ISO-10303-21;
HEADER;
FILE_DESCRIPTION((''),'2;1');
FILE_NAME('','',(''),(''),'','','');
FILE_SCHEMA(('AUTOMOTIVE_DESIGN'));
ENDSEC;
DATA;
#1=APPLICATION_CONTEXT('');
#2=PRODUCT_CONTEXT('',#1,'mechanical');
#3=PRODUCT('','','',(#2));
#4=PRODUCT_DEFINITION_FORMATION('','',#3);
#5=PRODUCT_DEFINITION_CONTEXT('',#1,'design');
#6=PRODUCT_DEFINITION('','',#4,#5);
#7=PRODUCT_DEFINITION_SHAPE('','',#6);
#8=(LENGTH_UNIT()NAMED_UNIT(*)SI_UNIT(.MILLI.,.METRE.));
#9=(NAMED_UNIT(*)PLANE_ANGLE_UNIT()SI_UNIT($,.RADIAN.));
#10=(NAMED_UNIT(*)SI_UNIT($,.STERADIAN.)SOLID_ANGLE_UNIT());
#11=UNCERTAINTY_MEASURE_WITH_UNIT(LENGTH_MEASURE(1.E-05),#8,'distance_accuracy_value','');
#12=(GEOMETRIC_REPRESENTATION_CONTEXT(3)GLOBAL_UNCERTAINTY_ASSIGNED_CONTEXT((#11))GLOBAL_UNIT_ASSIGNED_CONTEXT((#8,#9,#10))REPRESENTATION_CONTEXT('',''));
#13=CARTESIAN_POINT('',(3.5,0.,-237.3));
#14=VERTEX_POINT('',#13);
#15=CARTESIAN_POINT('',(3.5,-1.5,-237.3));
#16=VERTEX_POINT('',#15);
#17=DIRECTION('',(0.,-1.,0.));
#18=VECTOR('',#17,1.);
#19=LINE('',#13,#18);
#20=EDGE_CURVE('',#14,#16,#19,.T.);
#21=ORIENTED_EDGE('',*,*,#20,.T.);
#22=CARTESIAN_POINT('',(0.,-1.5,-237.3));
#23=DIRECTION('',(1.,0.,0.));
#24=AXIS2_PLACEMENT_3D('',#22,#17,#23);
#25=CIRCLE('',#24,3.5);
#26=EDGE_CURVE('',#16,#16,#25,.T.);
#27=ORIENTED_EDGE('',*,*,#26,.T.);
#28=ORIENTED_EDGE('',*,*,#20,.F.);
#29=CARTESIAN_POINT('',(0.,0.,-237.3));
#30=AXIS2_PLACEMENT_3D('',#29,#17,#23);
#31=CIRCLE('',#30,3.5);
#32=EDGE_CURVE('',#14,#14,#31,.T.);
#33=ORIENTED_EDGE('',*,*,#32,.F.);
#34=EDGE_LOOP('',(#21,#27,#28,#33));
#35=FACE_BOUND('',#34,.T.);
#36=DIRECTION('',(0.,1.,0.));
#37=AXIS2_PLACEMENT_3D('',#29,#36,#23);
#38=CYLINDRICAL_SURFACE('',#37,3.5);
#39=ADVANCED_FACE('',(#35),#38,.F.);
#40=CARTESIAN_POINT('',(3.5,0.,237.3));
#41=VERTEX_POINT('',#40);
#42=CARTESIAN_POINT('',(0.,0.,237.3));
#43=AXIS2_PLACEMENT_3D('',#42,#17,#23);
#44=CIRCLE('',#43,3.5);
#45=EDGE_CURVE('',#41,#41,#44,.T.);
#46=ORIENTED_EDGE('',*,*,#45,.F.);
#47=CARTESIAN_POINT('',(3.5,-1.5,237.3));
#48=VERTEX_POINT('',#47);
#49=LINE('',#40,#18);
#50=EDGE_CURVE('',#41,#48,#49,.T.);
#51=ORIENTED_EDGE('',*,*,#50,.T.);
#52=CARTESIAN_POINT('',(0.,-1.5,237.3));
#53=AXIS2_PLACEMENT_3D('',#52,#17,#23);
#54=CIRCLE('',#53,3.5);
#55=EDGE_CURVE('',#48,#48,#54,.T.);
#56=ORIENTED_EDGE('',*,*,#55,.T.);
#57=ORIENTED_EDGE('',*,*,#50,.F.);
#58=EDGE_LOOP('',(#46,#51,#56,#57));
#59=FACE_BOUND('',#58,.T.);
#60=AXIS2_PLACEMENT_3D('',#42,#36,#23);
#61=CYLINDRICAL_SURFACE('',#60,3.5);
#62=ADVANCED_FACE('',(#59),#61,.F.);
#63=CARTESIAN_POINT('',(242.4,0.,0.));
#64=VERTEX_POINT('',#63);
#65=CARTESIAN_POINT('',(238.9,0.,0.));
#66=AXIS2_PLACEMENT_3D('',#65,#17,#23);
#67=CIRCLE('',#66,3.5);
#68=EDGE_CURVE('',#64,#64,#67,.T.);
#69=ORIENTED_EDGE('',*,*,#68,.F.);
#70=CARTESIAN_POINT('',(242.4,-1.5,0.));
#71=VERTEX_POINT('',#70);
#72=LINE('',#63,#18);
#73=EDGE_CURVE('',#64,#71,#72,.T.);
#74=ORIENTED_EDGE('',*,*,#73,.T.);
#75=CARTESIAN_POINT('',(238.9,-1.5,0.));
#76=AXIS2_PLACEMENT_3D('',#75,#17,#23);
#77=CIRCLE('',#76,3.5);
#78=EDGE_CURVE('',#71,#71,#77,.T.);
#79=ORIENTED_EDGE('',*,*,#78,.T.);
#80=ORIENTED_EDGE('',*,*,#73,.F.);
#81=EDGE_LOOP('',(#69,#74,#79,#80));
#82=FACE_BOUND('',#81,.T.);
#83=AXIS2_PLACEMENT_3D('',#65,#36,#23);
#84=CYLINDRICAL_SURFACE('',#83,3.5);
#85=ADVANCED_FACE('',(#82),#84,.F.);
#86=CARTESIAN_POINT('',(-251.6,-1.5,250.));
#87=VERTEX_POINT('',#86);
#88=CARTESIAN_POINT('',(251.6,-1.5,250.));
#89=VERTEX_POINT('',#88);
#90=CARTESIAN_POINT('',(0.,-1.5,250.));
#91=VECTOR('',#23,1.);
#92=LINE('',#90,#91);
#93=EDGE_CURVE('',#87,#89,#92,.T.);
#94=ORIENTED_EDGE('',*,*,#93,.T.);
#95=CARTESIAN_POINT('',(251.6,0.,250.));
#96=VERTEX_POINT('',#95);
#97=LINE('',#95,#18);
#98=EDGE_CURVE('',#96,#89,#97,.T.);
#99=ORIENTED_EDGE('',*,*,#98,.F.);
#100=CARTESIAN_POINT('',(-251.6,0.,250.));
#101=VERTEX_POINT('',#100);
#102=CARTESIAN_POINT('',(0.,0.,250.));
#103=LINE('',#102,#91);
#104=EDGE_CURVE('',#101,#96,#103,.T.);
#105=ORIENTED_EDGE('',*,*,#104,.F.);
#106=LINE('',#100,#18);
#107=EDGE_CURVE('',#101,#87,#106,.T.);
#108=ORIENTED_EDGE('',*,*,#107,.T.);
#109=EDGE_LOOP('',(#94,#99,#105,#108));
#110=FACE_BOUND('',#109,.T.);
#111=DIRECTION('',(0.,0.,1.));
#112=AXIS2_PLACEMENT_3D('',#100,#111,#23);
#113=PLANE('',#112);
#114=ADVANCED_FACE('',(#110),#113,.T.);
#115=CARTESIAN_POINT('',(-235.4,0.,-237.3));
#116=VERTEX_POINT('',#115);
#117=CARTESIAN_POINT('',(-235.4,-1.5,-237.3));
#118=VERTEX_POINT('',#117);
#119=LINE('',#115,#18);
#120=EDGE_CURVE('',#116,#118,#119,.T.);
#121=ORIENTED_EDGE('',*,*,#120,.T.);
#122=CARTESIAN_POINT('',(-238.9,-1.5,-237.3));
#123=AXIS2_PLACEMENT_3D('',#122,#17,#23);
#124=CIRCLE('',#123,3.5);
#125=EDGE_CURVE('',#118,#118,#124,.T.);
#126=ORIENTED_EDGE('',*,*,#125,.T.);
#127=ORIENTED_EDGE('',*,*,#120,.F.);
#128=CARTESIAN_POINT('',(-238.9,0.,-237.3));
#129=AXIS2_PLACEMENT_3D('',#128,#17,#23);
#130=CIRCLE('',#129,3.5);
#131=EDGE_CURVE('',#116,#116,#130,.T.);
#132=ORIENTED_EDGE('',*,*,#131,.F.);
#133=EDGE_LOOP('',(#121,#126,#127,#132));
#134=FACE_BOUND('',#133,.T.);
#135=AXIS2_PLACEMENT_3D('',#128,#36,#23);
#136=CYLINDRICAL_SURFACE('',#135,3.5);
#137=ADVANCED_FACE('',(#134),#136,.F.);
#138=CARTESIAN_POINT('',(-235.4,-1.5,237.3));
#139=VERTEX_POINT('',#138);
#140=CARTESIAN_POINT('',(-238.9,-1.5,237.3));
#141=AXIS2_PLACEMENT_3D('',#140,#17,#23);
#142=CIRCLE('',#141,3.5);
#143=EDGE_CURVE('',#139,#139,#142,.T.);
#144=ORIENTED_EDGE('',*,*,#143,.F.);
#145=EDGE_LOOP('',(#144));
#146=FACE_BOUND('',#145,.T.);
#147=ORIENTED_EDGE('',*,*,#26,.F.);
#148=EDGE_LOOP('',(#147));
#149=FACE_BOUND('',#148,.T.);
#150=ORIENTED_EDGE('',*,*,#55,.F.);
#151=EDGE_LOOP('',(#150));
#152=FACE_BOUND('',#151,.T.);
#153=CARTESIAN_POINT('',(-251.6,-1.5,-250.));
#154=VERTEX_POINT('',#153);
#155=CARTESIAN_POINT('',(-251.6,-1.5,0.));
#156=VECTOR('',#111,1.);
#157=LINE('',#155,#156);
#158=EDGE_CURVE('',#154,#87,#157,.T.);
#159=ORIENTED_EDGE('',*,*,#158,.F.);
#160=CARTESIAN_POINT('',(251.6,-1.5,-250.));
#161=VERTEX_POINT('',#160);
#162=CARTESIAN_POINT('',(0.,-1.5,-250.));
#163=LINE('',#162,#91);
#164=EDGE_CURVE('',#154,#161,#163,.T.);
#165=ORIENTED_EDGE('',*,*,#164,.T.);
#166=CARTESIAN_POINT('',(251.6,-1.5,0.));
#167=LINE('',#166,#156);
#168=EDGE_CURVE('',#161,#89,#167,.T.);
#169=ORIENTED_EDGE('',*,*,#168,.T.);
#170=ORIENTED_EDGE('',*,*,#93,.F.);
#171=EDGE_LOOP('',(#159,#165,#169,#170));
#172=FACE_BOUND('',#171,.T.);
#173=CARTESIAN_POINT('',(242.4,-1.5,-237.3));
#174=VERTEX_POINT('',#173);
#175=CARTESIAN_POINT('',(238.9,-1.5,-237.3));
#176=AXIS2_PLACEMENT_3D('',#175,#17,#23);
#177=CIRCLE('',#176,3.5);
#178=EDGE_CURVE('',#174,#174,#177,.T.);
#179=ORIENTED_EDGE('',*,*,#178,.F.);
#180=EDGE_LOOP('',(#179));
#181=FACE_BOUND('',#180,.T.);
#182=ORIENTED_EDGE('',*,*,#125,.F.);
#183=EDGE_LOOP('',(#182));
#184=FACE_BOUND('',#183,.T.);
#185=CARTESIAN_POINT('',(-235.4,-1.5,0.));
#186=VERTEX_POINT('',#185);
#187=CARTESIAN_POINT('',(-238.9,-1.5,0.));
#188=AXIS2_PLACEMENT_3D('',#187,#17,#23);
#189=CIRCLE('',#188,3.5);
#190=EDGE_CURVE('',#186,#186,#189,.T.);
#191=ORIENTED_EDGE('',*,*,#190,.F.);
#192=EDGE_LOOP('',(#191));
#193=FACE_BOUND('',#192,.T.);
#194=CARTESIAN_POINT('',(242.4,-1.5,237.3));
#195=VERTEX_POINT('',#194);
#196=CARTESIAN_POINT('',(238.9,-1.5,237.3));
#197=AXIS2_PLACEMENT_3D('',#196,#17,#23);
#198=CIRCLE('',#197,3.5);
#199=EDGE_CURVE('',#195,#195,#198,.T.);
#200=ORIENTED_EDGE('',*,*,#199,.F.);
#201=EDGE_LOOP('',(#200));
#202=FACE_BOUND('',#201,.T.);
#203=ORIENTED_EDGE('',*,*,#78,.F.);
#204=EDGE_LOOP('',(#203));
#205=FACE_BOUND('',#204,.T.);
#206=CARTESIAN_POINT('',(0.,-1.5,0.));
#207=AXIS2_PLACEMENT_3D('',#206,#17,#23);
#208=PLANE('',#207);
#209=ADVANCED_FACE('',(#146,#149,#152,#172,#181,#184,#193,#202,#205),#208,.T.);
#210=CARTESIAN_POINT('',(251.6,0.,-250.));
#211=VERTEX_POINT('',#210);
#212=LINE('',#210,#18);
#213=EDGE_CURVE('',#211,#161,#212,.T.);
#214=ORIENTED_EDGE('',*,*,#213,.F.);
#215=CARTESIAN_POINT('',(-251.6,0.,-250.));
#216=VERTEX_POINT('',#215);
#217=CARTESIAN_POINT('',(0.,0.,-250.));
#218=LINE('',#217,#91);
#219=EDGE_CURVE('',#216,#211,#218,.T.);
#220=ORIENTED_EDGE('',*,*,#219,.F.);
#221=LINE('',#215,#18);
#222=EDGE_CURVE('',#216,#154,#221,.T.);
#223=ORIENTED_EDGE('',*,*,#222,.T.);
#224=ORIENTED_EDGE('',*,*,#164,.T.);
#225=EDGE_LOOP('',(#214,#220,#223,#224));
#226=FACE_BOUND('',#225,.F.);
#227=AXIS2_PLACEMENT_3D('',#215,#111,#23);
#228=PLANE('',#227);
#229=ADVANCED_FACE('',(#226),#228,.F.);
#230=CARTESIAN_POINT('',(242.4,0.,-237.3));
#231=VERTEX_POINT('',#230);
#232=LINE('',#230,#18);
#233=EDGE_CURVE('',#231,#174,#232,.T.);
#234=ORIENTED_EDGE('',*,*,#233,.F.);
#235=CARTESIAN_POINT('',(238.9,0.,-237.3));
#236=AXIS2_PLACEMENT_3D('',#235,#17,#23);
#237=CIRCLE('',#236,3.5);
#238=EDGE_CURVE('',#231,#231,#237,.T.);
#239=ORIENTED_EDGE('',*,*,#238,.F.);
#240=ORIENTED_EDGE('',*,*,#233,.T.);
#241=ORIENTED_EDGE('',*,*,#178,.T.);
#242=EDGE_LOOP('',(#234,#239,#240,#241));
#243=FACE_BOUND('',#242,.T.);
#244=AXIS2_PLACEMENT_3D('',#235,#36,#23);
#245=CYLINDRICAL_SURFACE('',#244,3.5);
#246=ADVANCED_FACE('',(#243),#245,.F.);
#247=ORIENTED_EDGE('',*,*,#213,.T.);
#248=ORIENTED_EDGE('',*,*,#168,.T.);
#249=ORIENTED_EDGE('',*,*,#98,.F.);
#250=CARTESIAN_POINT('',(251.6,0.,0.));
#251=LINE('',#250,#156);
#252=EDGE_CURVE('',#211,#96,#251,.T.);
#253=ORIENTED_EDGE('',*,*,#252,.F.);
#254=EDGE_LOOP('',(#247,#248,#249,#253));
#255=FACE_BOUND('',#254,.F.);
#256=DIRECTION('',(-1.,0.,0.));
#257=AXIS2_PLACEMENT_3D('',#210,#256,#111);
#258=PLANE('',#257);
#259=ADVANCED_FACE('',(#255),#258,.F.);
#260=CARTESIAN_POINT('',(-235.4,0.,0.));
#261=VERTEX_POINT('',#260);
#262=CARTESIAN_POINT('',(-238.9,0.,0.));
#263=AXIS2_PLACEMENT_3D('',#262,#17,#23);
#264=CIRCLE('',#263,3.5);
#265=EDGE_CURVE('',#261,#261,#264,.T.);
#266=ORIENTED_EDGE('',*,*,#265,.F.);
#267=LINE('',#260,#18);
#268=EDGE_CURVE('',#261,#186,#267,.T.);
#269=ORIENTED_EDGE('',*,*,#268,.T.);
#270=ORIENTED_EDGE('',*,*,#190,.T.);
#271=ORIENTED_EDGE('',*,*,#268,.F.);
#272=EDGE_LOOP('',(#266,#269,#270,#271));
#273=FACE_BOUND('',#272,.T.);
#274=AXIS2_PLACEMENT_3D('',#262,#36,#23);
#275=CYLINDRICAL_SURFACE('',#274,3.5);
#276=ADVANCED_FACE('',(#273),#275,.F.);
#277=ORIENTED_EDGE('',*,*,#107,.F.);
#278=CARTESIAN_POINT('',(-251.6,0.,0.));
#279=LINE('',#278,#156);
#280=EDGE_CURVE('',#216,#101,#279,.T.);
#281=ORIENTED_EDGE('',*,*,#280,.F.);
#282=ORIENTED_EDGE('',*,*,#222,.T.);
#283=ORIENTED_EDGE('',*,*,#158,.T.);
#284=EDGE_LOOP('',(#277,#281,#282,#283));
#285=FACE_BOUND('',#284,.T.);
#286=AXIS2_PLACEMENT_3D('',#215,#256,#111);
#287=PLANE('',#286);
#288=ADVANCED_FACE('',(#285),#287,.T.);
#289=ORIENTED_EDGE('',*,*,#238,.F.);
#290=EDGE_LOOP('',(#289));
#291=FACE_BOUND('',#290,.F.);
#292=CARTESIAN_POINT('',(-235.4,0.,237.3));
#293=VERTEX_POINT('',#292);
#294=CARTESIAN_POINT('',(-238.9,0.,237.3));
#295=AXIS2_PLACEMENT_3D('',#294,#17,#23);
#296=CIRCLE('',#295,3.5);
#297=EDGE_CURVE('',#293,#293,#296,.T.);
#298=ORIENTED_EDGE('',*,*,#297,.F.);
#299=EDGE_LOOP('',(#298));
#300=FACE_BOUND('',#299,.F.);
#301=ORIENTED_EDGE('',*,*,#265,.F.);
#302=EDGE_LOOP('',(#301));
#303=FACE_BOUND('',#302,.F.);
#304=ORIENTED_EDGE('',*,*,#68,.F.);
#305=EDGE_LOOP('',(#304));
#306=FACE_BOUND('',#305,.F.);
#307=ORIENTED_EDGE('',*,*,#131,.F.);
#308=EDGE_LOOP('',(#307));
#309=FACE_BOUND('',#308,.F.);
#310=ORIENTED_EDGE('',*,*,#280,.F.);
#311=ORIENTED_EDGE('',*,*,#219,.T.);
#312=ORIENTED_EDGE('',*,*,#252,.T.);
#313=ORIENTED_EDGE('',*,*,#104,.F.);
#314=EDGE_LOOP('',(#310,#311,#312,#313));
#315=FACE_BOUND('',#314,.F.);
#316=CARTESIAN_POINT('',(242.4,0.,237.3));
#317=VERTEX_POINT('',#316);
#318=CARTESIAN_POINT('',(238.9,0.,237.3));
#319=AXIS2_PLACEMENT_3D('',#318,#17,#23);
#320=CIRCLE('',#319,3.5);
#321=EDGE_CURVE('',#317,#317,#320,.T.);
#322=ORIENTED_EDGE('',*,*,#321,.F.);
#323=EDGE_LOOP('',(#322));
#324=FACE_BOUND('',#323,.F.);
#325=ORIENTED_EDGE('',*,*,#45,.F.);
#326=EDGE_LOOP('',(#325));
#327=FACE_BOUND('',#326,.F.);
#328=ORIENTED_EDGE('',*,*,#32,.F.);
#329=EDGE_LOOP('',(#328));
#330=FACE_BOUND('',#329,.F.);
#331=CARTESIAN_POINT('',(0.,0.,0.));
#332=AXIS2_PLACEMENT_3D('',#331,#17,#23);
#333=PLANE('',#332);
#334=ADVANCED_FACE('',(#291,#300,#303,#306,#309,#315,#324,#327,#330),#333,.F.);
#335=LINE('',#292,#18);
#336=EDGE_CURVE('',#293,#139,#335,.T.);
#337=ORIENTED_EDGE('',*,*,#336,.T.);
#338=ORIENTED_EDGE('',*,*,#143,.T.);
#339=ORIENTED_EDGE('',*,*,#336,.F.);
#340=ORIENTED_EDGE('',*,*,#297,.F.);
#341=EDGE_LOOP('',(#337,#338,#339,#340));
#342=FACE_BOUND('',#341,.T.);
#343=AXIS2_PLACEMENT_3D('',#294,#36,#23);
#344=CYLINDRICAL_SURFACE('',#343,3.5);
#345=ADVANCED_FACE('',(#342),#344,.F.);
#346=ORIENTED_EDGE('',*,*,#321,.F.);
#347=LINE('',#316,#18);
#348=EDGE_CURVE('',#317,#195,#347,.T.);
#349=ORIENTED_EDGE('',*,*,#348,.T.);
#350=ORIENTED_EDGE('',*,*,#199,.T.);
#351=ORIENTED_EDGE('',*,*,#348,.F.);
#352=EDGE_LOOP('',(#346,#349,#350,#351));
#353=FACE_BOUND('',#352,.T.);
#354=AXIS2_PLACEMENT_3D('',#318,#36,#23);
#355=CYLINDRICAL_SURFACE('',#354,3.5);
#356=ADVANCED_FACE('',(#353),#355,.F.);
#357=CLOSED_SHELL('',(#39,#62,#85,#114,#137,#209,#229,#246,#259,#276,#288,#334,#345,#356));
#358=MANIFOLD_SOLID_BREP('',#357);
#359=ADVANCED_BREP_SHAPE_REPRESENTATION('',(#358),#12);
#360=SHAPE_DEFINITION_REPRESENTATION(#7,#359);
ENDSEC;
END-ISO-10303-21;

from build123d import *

# Parameters (mm, degrees)
F0_W     = 503.2
F0_H     = 500
F0_R     = 3.5
F1_DEPTH = 1.5


with BuildPart() as f1:
    # F0 (on Front) → F1 (new body)
    with BuildSketch(Plane.XZ):
        Rectangle(F0_W, F0_H)
        with Locations((-238.9, -237.3)):
            Circle(F0_R, mode=Mode.SUBTRACT)
        with Locations((0, -237.3)):
            Circle(F0_R, mode=Mode.SUBTRACT)
        with Locations((238.9, -237.3)):
            Circle(F0_R, mode=Mode.SUBTRACT)
        with Locations((-238.9, 0)):
            Circle(F0_R, mode=Mode.SUBTRACT)
        with Locations((-238.9, 237.3)):
            Circle(F0_R, mode=Mode.SUBTRACT)
        with Locations((0, 237.3)):
            Circle(F0_R, mode=Mode.SUBTRACT)
        with Locations((238.9, 0)):
            Circle(F0_R, mode=Mode.SUBTRACT)
        with Locations((238.9, 237.3)):
            Circle(F0_R, mode=Mode.SUBTRACT)
    extrude(amount=F1_DEPTH)


solid = f1.part
